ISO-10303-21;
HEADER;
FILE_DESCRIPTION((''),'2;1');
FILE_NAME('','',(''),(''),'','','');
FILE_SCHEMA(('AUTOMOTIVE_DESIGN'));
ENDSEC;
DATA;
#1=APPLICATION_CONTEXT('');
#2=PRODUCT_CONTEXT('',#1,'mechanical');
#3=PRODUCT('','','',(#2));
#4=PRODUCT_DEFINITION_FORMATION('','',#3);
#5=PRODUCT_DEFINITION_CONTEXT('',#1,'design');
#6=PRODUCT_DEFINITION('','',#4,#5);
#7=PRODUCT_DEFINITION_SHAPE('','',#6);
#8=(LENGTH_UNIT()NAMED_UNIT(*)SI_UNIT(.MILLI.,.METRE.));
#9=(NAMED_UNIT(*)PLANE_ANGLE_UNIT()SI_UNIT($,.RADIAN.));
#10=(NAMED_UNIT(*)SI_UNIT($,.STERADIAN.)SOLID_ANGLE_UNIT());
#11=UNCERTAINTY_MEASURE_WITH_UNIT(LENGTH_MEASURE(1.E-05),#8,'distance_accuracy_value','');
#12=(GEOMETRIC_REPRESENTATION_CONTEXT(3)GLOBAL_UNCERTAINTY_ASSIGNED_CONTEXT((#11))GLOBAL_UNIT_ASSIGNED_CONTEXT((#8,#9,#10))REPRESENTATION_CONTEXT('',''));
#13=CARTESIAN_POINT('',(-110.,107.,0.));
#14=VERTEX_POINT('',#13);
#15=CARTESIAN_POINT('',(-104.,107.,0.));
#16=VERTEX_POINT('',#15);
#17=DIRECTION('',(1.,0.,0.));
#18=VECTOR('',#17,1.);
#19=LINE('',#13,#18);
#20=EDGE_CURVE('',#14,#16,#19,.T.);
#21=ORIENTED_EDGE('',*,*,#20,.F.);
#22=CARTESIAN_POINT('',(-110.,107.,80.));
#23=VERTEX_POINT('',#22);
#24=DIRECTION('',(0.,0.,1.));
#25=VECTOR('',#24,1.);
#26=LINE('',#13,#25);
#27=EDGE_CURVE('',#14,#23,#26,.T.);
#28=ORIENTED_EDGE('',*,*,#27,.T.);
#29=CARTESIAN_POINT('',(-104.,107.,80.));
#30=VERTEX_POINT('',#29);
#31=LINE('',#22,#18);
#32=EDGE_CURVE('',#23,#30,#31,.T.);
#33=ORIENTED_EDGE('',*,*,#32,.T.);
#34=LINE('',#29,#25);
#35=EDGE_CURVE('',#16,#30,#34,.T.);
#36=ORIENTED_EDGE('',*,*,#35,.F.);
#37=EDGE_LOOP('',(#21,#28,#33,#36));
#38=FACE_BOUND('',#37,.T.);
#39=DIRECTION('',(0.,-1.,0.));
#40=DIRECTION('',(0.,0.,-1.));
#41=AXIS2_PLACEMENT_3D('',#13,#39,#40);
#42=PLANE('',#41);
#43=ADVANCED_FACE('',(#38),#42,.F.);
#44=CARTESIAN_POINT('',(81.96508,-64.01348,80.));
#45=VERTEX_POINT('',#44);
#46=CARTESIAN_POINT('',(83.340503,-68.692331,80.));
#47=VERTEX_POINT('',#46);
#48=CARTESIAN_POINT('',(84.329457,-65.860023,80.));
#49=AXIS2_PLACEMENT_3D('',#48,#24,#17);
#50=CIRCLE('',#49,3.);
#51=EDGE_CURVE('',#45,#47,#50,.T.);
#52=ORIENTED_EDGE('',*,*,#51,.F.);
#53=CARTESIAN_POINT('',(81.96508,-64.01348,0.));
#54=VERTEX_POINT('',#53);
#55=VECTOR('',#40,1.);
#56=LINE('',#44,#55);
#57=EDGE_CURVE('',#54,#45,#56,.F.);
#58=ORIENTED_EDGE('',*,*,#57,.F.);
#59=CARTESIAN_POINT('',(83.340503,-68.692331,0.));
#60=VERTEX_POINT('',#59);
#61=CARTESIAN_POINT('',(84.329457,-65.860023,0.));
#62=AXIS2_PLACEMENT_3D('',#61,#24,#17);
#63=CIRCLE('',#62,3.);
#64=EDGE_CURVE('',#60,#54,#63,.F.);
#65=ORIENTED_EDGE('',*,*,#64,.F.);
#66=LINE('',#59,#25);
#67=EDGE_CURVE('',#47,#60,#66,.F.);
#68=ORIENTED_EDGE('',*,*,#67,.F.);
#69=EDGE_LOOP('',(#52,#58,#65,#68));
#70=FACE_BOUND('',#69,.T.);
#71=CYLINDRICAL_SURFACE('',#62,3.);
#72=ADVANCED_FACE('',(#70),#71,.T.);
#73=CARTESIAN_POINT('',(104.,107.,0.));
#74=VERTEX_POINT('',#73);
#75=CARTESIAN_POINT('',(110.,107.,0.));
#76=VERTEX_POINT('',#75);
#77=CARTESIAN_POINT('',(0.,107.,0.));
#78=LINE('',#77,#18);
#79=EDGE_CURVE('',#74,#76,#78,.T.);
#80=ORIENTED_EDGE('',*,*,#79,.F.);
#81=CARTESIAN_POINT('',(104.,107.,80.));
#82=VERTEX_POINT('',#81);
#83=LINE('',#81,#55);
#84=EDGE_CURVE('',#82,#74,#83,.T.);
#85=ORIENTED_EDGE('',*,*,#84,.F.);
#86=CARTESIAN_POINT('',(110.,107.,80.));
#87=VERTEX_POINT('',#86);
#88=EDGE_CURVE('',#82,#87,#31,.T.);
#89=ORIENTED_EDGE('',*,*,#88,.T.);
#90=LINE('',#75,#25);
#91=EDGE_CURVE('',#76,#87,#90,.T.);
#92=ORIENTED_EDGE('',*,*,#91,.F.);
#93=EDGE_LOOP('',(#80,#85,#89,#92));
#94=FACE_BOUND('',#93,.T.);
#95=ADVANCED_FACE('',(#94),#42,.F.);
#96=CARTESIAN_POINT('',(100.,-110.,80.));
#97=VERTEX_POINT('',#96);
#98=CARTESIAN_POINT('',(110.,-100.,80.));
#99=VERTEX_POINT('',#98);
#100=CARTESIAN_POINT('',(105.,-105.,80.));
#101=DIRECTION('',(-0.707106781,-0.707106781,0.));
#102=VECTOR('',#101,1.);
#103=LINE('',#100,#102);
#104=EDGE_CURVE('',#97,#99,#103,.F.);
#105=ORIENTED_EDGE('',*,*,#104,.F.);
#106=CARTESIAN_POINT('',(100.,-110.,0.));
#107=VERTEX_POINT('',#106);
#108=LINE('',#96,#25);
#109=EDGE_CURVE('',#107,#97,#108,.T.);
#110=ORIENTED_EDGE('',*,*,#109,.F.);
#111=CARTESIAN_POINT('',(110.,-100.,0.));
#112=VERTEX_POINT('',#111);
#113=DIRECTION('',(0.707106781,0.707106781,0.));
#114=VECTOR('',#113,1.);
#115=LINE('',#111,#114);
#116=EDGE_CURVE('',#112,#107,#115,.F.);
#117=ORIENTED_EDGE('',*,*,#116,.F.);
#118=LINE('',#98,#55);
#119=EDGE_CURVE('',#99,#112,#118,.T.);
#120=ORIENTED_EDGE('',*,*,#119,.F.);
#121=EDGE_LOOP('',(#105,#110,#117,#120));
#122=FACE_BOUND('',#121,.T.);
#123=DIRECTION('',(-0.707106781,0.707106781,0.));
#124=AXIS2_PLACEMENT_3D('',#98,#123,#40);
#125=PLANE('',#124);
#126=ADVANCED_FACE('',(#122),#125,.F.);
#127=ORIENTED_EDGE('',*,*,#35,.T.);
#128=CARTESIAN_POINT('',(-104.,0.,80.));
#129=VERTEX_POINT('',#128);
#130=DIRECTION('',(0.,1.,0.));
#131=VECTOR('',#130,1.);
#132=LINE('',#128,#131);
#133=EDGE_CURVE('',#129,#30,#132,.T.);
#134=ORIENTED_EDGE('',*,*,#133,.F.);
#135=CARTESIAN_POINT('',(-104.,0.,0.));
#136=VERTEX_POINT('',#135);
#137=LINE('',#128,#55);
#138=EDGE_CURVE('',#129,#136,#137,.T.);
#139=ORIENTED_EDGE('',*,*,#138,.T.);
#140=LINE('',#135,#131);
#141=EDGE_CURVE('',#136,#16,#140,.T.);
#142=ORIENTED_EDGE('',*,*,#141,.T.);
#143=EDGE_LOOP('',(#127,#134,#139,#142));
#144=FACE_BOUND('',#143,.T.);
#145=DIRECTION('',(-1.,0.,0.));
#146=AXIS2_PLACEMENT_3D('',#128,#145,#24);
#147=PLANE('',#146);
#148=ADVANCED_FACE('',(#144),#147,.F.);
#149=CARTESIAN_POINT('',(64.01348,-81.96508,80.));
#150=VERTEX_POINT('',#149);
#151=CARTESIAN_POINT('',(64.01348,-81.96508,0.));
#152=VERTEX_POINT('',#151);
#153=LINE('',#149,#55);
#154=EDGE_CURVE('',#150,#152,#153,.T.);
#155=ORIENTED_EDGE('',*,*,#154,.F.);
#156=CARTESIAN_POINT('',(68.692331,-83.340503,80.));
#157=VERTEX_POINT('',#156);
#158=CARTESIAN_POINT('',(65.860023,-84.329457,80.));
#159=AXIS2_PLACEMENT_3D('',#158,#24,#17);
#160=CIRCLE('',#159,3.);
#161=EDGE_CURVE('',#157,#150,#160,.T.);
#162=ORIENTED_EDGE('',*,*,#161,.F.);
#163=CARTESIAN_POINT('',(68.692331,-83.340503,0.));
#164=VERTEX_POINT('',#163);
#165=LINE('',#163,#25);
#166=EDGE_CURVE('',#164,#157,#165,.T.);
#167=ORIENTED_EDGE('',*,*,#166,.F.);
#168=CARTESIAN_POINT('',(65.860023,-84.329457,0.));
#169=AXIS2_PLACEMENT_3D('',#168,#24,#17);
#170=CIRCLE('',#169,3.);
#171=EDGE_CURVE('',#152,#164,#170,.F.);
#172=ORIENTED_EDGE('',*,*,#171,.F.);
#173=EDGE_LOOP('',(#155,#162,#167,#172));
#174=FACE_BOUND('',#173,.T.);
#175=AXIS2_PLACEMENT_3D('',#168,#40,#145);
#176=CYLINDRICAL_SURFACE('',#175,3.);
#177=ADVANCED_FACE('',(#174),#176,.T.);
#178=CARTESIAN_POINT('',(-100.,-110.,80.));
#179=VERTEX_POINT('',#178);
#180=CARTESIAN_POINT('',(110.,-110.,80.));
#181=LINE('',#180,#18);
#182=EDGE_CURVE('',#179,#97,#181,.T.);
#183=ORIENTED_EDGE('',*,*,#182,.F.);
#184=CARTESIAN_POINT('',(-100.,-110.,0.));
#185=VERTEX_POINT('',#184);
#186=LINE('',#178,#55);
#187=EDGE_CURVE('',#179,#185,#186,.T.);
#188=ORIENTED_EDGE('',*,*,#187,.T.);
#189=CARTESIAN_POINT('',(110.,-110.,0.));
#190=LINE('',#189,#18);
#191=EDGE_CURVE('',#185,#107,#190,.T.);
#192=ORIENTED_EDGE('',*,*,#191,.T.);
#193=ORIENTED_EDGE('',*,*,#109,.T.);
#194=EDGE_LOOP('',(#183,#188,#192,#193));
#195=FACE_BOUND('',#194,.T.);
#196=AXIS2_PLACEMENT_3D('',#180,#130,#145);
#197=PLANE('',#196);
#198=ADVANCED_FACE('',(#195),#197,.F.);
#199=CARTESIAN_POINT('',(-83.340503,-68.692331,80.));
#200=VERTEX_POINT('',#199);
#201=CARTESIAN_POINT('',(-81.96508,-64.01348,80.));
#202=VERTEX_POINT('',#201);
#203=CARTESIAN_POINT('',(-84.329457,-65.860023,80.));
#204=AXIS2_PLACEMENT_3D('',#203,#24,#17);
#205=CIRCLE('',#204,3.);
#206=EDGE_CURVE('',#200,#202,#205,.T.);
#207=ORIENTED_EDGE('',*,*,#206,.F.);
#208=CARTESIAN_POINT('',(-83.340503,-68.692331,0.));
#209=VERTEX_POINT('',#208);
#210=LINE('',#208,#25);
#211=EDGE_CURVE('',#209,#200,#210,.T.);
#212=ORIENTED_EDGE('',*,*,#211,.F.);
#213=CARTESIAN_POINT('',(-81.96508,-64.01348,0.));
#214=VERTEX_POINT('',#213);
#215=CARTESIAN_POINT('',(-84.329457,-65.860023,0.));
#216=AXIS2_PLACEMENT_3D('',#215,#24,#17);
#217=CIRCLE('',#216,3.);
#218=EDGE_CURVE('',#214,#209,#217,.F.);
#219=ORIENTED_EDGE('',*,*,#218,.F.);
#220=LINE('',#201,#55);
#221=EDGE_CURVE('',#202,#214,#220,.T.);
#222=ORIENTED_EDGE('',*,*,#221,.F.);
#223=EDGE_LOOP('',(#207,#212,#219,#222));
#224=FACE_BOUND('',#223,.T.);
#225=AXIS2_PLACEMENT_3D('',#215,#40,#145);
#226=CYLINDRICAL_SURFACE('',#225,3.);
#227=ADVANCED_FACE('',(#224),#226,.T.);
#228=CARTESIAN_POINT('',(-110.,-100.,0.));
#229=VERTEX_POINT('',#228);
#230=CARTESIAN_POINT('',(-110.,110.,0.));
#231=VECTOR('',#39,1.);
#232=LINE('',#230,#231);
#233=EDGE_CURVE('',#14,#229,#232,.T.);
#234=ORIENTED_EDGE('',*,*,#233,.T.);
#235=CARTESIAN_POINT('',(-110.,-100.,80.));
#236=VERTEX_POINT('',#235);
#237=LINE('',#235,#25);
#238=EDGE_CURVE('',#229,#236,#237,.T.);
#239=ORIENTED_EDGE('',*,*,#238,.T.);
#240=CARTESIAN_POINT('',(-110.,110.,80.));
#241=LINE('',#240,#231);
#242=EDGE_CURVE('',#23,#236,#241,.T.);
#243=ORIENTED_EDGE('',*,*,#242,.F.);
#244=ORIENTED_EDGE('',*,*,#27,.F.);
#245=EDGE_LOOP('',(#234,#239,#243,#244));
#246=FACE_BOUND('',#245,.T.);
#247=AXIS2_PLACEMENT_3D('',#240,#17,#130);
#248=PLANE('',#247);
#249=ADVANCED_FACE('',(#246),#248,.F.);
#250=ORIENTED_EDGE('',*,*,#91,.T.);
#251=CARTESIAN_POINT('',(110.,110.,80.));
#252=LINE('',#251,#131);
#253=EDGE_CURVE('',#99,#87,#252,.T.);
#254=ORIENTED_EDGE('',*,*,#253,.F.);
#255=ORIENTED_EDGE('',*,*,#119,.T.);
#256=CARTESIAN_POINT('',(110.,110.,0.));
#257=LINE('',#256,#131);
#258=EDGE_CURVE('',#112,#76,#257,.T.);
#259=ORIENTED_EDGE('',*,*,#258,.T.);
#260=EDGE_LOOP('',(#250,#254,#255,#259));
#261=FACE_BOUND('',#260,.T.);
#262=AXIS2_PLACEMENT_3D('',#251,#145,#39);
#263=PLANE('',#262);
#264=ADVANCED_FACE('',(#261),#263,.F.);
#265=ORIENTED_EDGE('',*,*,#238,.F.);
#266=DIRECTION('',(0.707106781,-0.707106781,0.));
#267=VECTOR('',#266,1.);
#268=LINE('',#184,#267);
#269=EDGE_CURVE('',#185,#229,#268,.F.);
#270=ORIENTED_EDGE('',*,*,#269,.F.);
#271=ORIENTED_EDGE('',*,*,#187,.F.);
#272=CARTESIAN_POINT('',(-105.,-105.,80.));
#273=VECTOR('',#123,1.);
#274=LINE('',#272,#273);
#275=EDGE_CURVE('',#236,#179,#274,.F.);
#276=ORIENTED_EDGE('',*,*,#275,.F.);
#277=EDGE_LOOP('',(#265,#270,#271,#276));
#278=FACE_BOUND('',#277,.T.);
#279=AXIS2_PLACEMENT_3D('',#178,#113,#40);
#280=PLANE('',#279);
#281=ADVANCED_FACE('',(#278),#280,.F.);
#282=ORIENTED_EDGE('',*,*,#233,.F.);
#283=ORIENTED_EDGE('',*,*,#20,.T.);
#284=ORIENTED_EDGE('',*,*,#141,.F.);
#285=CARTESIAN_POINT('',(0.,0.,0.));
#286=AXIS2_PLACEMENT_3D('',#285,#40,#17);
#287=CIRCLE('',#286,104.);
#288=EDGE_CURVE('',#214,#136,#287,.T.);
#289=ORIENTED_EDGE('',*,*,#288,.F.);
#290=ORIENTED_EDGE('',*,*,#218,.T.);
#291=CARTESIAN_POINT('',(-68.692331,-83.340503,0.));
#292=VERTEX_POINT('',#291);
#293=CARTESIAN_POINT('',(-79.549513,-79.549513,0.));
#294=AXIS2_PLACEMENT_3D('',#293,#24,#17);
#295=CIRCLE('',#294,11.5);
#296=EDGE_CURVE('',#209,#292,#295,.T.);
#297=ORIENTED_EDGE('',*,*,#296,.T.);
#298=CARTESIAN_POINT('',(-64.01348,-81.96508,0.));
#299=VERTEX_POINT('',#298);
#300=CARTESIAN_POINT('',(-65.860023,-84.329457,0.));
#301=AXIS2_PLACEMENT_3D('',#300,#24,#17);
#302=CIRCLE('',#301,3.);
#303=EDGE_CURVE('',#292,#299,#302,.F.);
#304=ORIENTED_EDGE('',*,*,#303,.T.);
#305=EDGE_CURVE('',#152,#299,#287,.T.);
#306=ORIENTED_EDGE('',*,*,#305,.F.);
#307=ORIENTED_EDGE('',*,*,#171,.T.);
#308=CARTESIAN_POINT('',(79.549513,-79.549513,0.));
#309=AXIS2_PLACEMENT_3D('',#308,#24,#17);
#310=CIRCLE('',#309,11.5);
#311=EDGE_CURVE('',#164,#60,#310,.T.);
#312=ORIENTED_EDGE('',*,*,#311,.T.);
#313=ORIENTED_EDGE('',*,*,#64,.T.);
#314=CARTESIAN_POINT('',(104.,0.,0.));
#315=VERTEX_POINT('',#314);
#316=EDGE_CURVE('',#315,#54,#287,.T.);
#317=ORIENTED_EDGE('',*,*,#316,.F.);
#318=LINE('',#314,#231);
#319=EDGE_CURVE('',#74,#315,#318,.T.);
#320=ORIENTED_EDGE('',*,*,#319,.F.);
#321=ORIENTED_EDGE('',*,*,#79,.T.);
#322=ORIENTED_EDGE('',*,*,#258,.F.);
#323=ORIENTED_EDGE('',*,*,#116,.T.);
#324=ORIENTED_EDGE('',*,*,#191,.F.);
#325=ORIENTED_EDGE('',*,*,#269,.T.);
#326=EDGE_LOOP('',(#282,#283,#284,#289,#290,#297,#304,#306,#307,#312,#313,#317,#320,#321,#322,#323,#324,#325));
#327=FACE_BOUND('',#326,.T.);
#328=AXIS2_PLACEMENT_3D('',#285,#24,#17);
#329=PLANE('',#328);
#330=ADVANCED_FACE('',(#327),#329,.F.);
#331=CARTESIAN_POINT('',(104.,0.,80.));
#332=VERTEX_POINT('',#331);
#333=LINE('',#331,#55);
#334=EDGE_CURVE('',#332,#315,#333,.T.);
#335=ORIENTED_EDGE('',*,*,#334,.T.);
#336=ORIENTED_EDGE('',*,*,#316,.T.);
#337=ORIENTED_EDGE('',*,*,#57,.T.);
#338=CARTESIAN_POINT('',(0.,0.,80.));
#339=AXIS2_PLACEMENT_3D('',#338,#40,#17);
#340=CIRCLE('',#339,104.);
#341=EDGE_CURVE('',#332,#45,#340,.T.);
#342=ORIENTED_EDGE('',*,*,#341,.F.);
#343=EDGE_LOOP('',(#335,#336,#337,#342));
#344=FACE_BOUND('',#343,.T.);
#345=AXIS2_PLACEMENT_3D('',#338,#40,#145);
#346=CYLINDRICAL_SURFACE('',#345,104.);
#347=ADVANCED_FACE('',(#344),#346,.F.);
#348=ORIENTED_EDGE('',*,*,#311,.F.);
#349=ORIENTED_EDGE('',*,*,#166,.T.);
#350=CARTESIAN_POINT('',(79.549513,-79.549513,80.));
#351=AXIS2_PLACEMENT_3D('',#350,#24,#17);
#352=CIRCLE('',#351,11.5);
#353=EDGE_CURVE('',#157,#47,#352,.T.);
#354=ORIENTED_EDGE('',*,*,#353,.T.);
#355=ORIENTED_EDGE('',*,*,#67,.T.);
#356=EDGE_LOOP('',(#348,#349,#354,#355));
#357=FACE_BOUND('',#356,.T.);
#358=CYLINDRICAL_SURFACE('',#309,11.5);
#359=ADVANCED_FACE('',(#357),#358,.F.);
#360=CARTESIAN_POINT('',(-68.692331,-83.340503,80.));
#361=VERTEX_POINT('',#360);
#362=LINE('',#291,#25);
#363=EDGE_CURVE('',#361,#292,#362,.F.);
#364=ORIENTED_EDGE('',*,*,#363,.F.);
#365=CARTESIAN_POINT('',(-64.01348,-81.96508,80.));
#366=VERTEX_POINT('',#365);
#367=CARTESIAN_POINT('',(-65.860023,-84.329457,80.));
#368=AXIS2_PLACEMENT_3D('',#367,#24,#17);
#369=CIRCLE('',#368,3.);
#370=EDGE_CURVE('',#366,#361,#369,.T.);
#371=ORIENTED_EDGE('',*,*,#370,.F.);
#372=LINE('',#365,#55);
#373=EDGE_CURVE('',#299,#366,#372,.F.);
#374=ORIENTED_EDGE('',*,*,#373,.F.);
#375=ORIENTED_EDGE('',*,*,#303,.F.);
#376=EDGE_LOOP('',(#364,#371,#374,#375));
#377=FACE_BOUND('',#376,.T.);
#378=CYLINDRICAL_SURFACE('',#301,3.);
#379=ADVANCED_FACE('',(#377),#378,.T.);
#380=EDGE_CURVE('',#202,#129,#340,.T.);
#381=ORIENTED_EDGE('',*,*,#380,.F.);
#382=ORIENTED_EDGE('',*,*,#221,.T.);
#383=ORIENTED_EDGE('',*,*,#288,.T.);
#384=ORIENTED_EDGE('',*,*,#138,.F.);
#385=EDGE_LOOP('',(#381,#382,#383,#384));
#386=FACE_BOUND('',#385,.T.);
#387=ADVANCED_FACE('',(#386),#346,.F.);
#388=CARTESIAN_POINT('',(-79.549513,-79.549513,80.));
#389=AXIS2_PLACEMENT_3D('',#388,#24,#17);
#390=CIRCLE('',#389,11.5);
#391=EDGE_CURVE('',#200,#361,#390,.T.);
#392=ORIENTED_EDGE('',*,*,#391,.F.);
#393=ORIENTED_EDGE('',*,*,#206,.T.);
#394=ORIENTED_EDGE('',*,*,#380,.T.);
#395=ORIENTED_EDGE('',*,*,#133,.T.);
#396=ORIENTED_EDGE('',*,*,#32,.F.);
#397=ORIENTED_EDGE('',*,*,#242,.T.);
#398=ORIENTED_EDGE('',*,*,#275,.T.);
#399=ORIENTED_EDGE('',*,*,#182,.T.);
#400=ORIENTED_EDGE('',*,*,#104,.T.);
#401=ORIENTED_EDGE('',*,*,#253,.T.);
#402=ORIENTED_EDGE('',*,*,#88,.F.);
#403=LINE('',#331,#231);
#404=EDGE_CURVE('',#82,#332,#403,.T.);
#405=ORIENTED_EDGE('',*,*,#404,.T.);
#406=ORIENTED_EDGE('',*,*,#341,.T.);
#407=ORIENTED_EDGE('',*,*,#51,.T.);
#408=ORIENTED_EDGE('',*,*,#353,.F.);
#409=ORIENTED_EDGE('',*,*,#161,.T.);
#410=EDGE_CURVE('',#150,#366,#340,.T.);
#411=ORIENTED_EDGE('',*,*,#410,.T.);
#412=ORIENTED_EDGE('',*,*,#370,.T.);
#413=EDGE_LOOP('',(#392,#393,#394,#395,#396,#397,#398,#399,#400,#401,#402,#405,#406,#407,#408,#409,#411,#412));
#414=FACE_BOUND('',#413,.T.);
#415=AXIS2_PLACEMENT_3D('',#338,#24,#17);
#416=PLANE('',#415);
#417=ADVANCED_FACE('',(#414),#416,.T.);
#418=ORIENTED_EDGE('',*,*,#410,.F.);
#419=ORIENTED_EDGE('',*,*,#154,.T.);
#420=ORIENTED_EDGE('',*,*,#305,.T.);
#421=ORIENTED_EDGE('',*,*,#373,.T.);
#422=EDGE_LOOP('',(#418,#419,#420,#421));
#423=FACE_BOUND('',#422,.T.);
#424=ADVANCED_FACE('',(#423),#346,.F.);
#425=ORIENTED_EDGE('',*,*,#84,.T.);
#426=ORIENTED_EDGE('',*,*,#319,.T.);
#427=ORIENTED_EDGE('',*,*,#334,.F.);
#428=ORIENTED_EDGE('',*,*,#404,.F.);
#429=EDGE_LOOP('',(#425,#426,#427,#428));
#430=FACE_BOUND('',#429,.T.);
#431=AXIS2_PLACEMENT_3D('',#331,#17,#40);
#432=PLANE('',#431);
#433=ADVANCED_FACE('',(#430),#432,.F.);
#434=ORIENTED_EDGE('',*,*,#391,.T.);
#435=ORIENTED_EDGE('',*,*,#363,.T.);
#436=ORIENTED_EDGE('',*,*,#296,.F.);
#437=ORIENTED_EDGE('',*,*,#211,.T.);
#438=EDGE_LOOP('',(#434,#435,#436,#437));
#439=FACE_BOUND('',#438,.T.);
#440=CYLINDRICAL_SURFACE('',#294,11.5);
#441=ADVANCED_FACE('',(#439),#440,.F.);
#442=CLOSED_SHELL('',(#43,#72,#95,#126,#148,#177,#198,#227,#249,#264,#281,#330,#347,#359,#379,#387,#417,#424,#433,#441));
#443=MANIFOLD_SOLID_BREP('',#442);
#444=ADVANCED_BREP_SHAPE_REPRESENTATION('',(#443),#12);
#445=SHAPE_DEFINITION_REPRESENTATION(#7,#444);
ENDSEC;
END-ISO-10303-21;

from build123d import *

# Parameters (mm, degrees)
BOSS_EXTRUDE1_DEPTH = 80
SKETCH3_R           = 11.5
CUT_EXTRUDE1_DEPTH  = 175.928556845
FILLET1_R           = 3
CHAMFER1_SIZE       = 10
SKETCH4_W           = 220
SKETCH4_H           = 3
CUT_EXTRUDE2_DEPTH  = 175.928557017


with BuildPart() as part:
    # Sketch1 → Boss-Extrude1 (new body)
    with BuildSketch(Plane.XY):
        with BuildLine():
            Line((-104, 0), (-104, 110))
            Line((-104, 110), (-110, 110))
            Line((-110, 110), (-110, -110))
            Line((-110, -110), (110, -110))
            Line((110, -110), (110, 110))
            Line((110, 110), (104, 110))
            Line((104, 110), (104, 0))
            ThreePointArc((104, 0), (0, -104), (-104, 0))
        make_face()
    extrude(amount=BOSS_EXTRUDE1_DEPTH)

    # Sketch3 → Cut-Extrude1 (cut, through all)
    with BuildSketch(Plane.XY.offset(80)):
        with Locations((-79.549512883, -79.549512883)):
            Circle(SKETCH3_R)
        with Locations((79.549512883, -79.549512883)):
            Circle(SKETCH3_R)
    extrude(amount=-CUT_EXTRUDE1_DEPTH, mode=Mode.SUBTRACT)

    # Fillet1
    fillet1_edges = [part.edges().sort_by_distance(p)[0] for p in [
        (-78.613411263, -68.087675607, 40),
        (-68.087675607, -78.613411263, 40),
        (68.087675607, -78.613411263, 40),
        (78.613411263, -68.087675607, 40),
    ]]
    fillet(fillet1_edges, radius=FILLET1_R)

    # Chamfer1
    chamfer1_edges = [part.edges().sort_by_distance(p)[0] for p in [
        (110, -110, 40),
        (-110, -110, 40),
    ]]
    chamfer(chamfer1_edges, length=CHAMFER1_SIZE)

    # Sketch4 → Cut-Extrude2 (cut, through all)
    with BuildSketch(Plane.XY.offset(80)):
        with Locations((0, 108.5)):
            Rectangle(SKETCH4_W, SKETCH4_H)
    extrude(amount=-CUT_EXTRUDE2_DEPTH, mode=Mode.SUBTRACT)


solid = part.part
